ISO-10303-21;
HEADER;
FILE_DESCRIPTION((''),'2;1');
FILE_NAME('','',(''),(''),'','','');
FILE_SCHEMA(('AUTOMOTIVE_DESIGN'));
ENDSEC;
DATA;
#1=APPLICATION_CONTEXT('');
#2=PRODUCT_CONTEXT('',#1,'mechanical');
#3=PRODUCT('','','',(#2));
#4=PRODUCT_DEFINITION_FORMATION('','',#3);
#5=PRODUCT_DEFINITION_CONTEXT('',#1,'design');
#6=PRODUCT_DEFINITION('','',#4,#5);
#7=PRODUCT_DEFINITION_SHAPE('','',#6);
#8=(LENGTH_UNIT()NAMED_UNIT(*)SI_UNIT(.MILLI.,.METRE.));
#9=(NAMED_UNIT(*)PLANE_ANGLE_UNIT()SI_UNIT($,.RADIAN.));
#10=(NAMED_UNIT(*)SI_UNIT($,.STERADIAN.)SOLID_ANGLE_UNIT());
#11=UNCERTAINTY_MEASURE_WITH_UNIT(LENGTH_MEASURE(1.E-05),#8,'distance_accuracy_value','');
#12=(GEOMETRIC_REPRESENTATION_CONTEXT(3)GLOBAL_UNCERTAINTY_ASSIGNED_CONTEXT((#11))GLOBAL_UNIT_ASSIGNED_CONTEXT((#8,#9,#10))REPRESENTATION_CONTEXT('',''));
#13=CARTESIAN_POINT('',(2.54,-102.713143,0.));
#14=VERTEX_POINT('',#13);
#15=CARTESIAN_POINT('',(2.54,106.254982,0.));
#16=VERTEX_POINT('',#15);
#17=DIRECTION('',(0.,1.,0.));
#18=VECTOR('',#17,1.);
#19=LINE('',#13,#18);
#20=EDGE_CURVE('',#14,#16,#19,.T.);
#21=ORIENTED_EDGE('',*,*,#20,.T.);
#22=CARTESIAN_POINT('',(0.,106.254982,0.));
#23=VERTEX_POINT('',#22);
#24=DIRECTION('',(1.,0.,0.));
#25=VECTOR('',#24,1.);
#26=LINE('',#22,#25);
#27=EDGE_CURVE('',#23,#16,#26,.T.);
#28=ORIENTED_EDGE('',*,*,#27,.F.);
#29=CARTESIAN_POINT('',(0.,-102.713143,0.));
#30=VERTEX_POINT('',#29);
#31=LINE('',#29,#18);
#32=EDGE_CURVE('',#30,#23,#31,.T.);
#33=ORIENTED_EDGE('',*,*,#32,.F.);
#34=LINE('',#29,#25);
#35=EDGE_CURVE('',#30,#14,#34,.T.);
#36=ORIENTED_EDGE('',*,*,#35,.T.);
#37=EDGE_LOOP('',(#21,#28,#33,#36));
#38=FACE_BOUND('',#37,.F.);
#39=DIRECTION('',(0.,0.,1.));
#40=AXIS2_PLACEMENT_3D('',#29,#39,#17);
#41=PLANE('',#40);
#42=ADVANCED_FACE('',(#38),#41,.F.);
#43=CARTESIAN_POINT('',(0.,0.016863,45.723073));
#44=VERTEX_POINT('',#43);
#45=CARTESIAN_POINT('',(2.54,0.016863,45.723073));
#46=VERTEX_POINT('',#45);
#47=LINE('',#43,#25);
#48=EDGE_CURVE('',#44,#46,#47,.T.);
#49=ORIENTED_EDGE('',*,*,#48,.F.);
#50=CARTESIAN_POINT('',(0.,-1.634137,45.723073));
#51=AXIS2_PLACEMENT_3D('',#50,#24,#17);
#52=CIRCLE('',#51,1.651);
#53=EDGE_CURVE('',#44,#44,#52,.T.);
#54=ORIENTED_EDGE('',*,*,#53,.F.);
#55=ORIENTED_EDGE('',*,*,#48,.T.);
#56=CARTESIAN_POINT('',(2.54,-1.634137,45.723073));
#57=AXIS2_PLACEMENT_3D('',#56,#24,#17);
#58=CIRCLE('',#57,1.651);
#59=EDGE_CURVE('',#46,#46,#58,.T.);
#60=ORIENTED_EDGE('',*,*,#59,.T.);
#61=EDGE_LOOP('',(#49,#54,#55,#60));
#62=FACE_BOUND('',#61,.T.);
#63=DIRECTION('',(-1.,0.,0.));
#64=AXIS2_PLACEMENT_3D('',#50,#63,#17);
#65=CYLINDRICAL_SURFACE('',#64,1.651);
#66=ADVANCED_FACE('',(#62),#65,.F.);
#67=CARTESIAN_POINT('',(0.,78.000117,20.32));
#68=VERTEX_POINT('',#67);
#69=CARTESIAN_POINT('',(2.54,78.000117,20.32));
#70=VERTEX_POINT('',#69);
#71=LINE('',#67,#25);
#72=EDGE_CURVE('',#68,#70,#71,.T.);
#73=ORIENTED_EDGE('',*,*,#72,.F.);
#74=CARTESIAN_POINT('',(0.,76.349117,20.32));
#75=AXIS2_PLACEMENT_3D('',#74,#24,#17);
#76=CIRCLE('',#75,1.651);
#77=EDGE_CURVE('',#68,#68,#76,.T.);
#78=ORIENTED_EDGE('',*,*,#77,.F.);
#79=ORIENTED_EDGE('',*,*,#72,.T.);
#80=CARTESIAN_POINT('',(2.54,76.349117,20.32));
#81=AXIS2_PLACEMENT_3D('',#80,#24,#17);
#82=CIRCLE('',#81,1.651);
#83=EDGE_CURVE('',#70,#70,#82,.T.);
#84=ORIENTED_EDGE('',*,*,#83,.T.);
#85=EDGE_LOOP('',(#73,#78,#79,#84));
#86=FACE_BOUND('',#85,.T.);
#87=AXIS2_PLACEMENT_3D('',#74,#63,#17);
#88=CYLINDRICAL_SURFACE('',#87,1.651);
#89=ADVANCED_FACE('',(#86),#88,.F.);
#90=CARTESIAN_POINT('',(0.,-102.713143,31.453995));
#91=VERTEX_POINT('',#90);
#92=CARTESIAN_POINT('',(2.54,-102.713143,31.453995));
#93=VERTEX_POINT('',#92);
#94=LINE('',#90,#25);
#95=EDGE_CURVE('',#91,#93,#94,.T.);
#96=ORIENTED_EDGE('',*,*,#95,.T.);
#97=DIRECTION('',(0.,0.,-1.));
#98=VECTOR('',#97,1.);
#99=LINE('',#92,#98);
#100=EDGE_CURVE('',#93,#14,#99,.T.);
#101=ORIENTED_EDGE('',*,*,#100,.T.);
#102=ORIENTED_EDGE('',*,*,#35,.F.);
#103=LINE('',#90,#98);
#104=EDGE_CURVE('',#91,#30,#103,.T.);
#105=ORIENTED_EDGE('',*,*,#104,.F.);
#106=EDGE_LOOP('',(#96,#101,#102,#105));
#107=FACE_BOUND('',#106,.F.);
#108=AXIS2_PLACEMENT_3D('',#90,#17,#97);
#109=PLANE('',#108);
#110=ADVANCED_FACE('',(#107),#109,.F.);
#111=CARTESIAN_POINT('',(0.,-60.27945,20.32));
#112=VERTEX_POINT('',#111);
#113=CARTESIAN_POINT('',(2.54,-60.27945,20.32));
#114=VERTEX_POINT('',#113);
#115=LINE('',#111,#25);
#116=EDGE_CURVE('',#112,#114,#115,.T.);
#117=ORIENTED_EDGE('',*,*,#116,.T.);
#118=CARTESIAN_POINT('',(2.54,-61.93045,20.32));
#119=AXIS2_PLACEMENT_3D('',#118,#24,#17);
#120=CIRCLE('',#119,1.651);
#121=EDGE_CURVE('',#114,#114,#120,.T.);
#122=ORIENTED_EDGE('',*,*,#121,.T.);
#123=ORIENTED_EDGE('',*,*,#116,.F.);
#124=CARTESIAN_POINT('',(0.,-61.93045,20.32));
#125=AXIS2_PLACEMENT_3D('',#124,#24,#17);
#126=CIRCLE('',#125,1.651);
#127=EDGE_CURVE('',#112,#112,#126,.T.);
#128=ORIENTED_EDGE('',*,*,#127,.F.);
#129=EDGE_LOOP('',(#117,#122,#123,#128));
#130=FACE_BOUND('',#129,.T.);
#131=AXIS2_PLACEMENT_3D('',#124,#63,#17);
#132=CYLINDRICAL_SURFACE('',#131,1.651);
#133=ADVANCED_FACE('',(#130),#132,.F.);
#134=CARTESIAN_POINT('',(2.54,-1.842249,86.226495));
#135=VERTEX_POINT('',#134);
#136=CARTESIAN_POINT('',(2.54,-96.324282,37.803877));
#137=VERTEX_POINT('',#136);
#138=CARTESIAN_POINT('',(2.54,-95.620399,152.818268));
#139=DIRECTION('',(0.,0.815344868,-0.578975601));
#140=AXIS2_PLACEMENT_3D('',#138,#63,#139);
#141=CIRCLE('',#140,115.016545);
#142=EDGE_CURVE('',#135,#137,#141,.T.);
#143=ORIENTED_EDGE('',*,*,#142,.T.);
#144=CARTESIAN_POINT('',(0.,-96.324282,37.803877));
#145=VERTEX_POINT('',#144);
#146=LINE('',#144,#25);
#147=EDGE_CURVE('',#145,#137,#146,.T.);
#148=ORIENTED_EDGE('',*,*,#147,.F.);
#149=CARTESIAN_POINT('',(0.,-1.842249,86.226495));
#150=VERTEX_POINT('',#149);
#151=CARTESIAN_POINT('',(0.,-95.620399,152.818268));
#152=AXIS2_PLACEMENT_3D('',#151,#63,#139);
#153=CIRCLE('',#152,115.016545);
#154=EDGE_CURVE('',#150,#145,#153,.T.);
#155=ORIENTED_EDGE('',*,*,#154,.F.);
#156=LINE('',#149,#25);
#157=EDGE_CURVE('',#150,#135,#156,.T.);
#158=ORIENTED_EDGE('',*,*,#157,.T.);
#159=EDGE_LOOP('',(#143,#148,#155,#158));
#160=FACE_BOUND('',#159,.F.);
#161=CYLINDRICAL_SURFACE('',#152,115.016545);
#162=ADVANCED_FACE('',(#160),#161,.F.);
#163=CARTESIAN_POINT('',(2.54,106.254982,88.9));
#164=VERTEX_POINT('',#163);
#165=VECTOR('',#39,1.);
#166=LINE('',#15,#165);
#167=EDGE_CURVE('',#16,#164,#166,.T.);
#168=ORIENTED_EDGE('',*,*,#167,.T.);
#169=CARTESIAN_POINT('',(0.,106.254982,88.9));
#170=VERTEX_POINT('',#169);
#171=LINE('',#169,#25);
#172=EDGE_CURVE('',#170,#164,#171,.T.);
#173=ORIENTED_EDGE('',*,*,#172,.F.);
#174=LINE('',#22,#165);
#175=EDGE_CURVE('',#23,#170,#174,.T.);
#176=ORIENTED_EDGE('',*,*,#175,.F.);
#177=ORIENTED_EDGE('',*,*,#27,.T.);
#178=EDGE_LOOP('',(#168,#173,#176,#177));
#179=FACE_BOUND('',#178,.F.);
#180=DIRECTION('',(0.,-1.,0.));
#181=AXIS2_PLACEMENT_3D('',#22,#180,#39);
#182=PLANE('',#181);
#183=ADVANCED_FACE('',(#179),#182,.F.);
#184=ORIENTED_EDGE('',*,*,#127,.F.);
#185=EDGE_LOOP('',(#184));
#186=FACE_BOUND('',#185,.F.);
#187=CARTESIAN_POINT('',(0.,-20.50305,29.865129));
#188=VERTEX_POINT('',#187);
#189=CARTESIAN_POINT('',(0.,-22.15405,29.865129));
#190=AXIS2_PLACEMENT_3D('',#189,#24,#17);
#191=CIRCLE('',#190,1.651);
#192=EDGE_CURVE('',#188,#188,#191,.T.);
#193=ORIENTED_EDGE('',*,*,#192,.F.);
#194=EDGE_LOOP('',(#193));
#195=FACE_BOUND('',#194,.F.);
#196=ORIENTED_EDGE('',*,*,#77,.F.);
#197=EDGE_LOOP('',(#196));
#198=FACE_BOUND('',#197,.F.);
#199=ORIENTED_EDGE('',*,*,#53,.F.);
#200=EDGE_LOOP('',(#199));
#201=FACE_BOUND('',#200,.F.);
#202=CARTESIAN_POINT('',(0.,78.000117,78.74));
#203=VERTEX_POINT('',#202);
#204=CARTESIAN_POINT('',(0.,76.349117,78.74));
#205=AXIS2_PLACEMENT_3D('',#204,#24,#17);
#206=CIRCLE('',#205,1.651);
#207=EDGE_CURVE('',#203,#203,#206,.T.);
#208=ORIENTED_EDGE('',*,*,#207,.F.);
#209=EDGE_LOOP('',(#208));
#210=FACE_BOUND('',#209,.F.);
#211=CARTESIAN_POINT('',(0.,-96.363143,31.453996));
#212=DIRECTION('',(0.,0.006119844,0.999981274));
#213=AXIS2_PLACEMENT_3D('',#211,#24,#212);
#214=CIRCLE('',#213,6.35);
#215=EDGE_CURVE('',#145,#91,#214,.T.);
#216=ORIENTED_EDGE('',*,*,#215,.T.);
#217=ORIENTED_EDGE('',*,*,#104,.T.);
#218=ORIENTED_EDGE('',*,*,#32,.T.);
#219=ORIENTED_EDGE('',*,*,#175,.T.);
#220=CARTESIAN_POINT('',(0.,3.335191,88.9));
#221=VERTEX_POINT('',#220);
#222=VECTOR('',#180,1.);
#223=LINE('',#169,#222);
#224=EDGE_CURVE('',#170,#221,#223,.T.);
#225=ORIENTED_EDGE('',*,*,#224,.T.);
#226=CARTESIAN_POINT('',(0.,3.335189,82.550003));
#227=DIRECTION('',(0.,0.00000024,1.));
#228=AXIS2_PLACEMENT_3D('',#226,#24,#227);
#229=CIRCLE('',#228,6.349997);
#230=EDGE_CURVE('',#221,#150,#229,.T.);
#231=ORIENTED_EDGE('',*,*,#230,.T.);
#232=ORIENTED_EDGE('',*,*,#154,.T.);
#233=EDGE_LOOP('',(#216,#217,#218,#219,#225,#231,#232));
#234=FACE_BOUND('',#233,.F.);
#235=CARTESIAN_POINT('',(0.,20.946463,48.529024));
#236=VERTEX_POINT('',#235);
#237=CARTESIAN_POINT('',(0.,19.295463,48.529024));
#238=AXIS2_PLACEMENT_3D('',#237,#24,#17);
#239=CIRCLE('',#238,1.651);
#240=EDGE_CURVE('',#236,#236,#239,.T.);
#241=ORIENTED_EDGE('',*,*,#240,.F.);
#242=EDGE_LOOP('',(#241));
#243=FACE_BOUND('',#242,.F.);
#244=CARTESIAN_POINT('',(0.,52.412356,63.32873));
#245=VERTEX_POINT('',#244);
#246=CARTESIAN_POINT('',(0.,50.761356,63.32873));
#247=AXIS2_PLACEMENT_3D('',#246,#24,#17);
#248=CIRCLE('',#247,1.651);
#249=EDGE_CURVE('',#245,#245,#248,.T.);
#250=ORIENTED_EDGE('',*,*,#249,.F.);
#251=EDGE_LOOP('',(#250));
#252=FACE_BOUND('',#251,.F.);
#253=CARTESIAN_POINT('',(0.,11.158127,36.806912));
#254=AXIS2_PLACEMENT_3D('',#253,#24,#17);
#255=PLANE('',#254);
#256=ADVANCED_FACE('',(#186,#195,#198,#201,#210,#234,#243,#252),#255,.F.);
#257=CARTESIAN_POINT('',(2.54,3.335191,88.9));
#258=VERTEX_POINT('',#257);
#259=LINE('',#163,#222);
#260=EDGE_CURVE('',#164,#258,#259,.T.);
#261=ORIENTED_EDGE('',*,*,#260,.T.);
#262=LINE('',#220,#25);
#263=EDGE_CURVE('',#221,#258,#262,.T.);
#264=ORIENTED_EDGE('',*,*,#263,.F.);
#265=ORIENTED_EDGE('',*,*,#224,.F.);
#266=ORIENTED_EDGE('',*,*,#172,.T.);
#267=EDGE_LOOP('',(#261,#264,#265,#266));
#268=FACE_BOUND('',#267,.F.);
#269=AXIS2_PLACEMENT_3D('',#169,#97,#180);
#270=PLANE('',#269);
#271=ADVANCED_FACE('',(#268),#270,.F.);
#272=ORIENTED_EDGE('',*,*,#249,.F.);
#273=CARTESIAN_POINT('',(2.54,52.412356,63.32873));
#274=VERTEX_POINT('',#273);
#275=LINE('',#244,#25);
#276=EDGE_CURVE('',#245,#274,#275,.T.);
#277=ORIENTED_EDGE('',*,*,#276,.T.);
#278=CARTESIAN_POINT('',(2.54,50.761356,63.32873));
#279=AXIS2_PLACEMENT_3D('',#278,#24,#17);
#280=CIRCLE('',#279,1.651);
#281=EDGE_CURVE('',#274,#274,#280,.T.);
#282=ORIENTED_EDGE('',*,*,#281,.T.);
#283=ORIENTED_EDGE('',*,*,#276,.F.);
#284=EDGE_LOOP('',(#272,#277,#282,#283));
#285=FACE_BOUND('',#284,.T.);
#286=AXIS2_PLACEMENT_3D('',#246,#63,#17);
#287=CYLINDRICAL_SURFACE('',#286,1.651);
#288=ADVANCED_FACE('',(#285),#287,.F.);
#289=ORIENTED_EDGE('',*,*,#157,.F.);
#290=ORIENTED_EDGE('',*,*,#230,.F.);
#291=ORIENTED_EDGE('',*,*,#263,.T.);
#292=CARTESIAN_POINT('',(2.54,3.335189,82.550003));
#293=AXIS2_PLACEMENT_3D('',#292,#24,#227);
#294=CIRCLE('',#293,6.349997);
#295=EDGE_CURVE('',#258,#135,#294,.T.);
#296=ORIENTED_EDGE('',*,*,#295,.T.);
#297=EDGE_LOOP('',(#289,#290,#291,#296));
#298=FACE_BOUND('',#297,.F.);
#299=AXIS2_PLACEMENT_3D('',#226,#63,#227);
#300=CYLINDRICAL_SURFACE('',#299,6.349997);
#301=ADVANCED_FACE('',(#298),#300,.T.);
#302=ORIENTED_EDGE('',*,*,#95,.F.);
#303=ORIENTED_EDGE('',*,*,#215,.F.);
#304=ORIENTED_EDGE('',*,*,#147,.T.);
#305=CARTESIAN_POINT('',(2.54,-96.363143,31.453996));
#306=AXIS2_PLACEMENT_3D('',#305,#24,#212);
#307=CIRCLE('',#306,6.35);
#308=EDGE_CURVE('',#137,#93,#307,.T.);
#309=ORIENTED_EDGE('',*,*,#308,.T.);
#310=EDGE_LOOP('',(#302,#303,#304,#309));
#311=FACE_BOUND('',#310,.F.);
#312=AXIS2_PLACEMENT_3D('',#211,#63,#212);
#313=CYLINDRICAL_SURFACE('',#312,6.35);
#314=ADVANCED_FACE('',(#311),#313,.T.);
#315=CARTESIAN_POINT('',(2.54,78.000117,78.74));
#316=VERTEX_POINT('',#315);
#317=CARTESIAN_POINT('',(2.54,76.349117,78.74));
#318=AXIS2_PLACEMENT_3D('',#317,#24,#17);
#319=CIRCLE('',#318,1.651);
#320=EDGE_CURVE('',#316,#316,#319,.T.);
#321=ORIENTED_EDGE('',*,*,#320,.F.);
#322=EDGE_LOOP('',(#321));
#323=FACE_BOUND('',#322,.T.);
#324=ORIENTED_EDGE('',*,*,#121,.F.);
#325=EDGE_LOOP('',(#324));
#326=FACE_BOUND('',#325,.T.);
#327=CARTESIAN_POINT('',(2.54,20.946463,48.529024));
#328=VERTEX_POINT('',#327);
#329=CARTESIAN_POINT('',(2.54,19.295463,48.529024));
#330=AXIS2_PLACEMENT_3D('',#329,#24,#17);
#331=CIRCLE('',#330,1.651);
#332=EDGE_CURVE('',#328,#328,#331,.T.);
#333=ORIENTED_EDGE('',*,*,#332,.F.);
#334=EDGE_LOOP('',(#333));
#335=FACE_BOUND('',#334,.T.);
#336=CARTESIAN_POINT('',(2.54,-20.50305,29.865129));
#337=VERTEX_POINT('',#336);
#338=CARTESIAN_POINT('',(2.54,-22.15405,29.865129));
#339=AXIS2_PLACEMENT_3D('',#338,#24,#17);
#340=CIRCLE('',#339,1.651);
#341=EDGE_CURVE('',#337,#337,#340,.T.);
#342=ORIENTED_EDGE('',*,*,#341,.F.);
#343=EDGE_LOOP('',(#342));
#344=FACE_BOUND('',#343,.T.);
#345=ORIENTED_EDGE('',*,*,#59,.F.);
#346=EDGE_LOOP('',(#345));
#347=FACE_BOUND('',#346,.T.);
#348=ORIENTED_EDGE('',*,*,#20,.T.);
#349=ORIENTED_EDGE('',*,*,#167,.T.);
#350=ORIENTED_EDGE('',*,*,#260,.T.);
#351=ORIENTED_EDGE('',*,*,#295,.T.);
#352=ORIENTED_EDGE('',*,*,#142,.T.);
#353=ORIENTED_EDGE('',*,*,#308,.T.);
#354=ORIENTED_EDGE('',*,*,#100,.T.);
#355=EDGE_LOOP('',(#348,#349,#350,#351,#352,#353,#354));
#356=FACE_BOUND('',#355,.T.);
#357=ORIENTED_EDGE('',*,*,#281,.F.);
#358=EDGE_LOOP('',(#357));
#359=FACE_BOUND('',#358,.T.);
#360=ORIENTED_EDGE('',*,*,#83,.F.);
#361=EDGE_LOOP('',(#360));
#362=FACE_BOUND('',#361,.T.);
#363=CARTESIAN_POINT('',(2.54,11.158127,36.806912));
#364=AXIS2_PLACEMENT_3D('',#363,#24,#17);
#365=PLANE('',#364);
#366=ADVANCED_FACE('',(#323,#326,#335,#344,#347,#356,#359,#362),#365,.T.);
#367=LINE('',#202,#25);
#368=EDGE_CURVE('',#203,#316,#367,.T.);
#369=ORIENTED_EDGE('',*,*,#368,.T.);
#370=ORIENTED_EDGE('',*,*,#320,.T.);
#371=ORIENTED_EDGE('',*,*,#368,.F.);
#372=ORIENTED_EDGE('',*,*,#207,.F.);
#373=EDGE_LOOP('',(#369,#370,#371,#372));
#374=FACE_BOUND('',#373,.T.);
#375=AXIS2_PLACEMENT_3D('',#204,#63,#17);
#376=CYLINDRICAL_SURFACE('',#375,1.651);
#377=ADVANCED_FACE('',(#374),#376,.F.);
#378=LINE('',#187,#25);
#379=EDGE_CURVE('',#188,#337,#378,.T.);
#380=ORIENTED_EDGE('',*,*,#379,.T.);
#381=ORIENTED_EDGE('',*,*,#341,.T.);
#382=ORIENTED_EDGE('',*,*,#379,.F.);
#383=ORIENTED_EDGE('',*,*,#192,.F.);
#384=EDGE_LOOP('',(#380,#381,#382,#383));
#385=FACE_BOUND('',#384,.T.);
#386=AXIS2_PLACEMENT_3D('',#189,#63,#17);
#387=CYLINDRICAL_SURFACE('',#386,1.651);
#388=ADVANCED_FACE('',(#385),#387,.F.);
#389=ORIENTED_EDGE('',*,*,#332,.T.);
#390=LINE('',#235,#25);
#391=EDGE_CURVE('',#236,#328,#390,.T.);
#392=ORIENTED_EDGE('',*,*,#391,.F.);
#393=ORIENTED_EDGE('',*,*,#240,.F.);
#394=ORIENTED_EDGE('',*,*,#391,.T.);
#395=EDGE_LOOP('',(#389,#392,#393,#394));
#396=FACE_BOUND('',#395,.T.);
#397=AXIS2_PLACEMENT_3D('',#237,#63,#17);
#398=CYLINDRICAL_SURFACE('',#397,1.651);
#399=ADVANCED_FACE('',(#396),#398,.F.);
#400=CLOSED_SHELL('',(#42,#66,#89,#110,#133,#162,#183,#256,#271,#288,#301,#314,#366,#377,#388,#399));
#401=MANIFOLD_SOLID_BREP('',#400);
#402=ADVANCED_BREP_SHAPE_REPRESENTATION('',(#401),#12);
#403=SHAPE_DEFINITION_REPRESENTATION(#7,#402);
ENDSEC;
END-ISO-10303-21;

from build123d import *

# Parameters (mm, degrees)
F0_R     = 1.651
F1_DEPTH = 2.54


with BuildPart() as f1:
    # F0 (on Right) → F1 (new body)
    with BuildSketch(Plane.YZ):
        with BuildLine():
            Line((-102.713143, 31.453995), (-102.713143, 0))
            Line((-102.713143, 0), (106.254982, 0))
            Line((106.254982, 0), (106.254982, 88.9))
            Line((106.254982, 88.9), (3.335191, 88.9))
            ThreePointArc((3.335191, 88.9), (0.421709, 88.192174), (-1.842249, 86.226495))
            ThreePointArc((-1.842249, 86.226495), (-43.161917, 50.461474), (-96.324282, 37.803877))
            ThreePointArc((-96.324282, 37.803877), (-100.839511, 35.957842), (-102.713143, 31.453995))
        make_face()
        with Locations((-61.93045, 20.32)):
            Circle(F0_R, mode=Mode.SUBTRACT)
        with Locations((-22.15405, 29.865129)):
            Circle(F0_R, mode=Mode.SUBTRACT)
        with Locations((76.349117, 20.32)):
            Circle(F0_R, mode=Mode.SUBTRACT)
        with Locations((-1.634137, 45.723073)):
            Circle(F0_R, mode=Mode.SUBTRACT)
        with Locations((19.295463, 48.529024)):
            Circle(F0_R, mode=Mode.SUBTRACT)
        with Locations((50.761356, 63.32873)):
            Circle(F0_R, mode=Mode.SUBTRACT)
        with Locations((76.349117, 78.74)):
            Circle(F0_R, mode=Mode.SUBTRACT)
    extrude(amount=F1_DEPTH)


solid = f1.part
